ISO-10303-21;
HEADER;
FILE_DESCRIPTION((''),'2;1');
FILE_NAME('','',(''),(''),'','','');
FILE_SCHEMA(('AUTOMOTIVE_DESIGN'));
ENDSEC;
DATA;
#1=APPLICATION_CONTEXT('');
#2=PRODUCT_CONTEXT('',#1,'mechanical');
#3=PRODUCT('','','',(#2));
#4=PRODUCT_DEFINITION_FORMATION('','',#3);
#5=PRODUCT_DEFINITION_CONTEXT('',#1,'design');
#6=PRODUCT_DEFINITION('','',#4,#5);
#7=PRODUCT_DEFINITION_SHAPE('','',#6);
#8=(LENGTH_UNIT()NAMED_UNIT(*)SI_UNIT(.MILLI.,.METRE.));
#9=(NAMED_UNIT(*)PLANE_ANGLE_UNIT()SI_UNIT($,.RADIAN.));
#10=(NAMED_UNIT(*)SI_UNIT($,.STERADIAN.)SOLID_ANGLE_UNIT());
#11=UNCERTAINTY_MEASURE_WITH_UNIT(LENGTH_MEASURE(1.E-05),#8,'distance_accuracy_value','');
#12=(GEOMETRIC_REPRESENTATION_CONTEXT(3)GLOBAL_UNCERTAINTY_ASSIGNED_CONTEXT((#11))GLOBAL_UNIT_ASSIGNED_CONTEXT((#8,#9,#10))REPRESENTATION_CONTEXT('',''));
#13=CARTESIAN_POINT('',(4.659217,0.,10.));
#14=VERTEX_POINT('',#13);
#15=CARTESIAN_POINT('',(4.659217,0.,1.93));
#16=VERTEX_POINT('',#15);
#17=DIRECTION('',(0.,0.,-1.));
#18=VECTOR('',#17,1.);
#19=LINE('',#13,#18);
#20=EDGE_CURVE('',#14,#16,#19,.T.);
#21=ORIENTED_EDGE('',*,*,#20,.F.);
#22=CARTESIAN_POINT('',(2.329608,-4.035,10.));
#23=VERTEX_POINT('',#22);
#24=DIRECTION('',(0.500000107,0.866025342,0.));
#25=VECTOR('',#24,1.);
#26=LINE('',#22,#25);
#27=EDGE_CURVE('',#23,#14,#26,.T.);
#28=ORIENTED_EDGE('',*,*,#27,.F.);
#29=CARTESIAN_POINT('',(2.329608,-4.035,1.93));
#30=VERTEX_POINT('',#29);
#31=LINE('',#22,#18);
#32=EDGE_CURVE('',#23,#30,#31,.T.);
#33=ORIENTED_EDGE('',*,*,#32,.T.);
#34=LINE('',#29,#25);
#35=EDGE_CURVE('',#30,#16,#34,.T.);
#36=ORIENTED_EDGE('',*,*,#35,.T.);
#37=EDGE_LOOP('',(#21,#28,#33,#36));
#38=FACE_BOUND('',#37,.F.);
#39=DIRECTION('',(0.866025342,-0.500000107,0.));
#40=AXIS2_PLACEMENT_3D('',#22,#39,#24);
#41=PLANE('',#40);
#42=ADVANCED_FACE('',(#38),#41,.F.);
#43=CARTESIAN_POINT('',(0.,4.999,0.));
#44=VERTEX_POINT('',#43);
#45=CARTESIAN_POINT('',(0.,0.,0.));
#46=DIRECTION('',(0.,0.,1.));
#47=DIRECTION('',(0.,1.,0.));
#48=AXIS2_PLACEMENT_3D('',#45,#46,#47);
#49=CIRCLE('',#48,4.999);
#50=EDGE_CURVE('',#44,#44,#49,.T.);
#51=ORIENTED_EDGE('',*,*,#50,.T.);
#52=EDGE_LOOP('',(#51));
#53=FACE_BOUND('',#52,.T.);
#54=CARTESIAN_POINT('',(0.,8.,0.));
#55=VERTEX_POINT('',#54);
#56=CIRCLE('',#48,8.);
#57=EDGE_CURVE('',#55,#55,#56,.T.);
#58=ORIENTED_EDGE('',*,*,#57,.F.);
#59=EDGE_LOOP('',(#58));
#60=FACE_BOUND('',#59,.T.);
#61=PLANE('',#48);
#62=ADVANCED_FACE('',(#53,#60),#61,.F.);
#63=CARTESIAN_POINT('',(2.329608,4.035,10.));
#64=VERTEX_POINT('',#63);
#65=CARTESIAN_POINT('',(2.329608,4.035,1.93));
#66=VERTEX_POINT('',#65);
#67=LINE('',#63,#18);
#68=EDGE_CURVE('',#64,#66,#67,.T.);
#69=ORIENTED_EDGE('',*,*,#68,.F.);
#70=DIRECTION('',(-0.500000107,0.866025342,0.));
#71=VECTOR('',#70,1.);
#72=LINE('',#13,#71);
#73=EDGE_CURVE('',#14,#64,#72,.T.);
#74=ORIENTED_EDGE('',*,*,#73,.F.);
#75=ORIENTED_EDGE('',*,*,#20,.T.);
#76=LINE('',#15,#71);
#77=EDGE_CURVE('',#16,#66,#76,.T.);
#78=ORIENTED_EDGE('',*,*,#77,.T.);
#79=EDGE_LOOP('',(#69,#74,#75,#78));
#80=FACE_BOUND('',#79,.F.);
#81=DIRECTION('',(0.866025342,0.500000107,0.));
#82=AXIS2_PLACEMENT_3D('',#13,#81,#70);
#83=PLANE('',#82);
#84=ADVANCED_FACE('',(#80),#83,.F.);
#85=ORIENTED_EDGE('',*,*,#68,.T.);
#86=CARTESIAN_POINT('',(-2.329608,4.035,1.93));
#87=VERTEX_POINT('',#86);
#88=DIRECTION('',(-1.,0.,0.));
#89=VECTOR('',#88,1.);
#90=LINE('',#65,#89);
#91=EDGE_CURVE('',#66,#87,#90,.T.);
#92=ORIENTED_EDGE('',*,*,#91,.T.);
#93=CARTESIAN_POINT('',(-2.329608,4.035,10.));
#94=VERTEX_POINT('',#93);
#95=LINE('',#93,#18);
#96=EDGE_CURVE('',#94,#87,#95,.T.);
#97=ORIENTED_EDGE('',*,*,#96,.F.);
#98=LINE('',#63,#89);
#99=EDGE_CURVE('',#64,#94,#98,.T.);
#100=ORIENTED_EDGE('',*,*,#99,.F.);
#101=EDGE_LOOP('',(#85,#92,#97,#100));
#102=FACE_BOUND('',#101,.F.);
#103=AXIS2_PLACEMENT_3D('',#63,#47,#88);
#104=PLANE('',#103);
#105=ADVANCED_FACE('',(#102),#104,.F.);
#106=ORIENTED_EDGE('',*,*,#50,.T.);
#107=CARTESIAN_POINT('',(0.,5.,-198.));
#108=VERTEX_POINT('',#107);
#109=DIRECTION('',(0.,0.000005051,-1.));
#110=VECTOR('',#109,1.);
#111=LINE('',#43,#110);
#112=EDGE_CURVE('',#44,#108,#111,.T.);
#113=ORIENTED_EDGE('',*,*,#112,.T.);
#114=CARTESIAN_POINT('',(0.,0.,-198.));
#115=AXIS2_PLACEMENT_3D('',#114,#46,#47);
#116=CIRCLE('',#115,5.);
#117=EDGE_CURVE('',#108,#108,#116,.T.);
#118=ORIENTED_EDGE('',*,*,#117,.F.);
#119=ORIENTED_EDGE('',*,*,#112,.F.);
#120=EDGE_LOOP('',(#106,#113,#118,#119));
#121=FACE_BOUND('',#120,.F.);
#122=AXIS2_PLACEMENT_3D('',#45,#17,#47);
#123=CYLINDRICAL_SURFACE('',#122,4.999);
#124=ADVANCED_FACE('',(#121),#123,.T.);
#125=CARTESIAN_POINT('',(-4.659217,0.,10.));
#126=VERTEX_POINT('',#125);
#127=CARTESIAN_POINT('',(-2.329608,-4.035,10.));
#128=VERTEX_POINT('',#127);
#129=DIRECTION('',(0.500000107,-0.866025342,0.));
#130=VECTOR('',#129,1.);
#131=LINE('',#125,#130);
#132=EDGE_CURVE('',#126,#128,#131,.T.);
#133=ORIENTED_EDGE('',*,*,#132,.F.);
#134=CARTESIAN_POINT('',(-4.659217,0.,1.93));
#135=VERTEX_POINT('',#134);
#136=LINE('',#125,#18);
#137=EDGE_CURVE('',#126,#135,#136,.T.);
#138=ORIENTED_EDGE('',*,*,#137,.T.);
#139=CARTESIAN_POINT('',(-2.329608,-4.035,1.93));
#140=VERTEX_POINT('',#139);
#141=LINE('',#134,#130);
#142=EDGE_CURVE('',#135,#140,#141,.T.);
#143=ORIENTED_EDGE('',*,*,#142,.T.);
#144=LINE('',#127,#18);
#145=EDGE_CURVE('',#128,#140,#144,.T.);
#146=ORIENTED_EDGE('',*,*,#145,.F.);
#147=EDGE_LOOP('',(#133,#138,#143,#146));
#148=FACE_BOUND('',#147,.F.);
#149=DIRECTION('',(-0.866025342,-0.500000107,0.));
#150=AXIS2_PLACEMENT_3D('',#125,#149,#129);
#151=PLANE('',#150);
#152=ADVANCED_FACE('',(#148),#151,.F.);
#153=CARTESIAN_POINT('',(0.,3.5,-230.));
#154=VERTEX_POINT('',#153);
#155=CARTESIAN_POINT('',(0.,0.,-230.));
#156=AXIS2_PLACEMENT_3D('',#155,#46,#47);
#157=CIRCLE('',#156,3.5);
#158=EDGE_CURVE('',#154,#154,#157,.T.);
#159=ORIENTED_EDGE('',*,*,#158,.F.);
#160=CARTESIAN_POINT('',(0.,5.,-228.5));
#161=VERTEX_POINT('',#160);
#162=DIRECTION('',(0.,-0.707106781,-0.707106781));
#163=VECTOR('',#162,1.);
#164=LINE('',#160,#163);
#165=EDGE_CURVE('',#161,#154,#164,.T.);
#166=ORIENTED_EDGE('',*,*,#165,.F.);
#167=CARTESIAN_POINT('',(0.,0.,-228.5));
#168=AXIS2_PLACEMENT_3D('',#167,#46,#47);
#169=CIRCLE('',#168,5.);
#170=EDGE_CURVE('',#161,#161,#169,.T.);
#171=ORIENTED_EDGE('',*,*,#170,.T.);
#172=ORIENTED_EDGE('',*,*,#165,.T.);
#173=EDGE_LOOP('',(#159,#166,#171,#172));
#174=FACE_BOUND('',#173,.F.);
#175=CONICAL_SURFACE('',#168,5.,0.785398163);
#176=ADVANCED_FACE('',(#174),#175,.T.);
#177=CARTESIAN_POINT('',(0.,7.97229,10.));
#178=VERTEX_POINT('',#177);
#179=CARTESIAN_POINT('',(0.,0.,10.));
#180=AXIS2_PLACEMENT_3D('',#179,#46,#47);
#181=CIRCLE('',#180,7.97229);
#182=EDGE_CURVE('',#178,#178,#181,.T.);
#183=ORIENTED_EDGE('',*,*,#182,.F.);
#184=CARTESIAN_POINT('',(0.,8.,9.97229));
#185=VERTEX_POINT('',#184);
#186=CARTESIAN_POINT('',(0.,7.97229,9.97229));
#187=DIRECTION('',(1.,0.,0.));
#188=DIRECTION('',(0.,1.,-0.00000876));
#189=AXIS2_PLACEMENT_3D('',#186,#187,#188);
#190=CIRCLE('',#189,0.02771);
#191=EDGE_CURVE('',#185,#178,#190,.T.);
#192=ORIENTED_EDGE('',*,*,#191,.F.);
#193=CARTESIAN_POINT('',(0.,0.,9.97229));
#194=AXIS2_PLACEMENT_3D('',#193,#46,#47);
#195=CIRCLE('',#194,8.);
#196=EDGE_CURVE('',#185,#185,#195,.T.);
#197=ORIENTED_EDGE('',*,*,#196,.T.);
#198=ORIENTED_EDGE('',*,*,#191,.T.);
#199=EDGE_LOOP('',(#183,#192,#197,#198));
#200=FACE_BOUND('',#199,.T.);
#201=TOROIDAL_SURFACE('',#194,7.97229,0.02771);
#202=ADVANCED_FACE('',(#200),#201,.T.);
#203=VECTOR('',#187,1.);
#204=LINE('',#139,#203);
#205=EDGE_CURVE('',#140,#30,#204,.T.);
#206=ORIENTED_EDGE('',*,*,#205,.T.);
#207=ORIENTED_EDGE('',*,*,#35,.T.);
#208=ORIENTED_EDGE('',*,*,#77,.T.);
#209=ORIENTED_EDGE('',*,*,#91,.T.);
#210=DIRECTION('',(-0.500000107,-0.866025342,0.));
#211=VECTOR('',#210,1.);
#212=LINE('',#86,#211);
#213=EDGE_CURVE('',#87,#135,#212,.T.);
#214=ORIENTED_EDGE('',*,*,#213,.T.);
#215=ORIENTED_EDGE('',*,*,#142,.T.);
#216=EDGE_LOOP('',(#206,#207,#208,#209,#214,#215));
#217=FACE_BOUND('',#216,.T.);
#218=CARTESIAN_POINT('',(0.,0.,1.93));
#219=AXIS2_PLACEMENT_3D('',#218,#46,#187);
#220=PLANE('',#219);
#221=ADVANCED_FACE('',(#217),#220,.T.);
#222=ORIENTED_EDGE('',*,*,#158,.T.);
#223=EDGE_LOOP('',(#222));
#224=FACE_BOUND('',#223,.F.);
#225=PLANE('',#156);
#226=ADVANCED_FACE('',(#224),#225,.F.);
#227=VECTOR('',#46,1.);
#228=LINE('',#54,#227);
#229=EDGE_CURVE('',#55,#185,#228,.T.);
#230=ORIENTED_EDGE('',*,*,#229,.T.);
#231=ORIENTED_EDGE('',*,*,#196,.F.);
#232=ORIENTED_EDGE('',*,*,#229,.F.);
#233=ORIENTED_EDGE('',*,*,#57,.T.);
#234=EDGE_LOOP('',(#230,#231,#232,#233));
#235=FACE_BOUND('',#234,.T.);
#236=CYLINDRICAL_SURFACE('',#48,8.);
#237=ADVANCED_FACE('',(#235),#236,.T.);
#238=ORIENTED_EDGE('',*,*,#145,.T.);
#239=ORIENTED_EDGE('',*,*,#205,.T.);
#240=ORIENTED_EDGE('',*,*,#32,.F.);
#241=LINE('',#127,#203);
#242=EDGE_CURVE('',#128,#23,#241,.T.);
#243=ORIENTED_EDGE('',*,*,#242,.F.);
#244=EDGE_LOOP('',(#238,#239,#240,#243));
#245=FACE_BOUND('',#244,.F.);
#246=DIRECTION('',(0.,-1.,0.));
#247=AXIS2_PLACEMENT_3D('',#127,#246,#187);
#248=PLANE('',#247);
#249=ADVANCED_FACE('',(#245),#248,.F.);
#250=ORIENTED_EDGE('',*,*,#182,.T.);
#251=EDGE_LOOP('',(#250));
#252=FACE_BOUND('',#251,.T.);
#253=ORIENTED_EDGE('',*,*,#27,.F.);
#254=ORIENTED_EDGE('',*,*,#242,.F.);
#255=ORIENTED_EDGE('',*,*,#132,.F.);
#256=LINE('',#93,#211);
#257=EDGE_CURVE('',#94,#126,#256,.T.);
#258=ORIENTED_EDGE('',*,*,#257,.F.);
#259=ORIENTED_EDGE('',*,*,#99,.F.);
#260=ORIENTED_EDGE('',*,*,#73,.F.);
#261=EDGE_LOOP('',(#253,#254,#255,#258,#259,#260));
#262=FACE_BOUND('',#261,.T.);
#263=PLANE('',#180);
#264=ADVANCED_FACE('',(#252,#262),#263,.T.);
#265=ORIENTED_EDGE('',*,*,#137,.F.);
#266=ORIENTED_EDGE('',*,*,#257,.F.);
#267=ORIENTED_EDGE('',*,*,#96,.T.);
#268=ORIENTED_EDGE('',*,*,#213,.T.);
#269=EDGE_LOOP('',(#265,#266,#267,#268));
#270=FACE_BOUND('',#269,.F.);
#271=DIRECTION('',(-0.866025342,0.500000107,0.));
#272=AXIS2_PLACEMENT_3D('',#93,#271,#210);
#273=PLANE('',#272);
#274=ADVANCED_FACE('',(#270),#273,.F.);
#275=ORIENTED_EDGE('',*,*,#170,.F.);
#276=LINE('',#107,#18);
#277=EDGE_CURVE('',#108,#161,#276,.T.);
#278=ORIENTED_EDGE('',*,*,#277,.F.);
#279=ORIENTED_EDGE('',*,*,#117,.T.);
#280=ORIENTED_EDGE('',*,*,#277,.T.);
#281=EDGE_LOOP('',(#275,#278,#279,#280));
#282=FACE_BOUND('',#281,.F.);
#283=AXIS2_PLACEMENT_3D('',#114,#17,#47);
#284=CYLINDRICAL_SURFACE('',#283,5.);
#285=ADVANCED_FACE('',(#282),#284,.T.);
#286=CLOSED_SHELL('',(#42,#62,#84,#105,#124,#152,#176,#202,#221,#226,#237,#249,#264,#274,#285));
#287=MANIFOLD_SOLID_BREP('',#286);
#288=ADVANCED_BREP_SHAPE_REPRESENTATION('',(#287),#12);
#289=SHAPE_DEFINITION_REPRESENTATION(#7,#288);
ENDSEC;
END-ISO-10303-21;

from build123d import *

# Parameters (mm, degrees)
POCKET_DEPTH = 8.07


with BuildPart() as part:
    # Sketch → Revolve (revolve)
    with BuildSketch(Plane.YZ):
        with BuildLine():
            Line((4.999, 0), (8, 0))
            Line((8, 0), (8, 9.97229))
            ThreePointArc((8, 9.97229), (7.991884, 9.991884), (7.97229, 10))
            Line((7.97229, 10), (0, 10))
            Line((0, -230), (0, 10))
            Line((3.5, -230), (0, -230))
            Line((5, -228.5), (3.5, -230))
            Line((5, -198), (5, -228.5))
            Line((4.999, 0), (5, -198))
        make_face()
    revolve(axis=Axis((0, 0, 0), (0, 0, 1)))

    # Sketch001 → Pocket (cut)
    with BuildSketch(Plane.XY.offset(10)):
        Polygon((4.659217, 0), (2.329608, 4.035), (-2.329608, 4.035), (-4.659217, 0), (-2.329608, -4.035), (2.329608, -4.035), align=None)
    extrude(amount=-POCKET_DEPTH, mode=Mode.SUBTRACT)


solid = part.part
